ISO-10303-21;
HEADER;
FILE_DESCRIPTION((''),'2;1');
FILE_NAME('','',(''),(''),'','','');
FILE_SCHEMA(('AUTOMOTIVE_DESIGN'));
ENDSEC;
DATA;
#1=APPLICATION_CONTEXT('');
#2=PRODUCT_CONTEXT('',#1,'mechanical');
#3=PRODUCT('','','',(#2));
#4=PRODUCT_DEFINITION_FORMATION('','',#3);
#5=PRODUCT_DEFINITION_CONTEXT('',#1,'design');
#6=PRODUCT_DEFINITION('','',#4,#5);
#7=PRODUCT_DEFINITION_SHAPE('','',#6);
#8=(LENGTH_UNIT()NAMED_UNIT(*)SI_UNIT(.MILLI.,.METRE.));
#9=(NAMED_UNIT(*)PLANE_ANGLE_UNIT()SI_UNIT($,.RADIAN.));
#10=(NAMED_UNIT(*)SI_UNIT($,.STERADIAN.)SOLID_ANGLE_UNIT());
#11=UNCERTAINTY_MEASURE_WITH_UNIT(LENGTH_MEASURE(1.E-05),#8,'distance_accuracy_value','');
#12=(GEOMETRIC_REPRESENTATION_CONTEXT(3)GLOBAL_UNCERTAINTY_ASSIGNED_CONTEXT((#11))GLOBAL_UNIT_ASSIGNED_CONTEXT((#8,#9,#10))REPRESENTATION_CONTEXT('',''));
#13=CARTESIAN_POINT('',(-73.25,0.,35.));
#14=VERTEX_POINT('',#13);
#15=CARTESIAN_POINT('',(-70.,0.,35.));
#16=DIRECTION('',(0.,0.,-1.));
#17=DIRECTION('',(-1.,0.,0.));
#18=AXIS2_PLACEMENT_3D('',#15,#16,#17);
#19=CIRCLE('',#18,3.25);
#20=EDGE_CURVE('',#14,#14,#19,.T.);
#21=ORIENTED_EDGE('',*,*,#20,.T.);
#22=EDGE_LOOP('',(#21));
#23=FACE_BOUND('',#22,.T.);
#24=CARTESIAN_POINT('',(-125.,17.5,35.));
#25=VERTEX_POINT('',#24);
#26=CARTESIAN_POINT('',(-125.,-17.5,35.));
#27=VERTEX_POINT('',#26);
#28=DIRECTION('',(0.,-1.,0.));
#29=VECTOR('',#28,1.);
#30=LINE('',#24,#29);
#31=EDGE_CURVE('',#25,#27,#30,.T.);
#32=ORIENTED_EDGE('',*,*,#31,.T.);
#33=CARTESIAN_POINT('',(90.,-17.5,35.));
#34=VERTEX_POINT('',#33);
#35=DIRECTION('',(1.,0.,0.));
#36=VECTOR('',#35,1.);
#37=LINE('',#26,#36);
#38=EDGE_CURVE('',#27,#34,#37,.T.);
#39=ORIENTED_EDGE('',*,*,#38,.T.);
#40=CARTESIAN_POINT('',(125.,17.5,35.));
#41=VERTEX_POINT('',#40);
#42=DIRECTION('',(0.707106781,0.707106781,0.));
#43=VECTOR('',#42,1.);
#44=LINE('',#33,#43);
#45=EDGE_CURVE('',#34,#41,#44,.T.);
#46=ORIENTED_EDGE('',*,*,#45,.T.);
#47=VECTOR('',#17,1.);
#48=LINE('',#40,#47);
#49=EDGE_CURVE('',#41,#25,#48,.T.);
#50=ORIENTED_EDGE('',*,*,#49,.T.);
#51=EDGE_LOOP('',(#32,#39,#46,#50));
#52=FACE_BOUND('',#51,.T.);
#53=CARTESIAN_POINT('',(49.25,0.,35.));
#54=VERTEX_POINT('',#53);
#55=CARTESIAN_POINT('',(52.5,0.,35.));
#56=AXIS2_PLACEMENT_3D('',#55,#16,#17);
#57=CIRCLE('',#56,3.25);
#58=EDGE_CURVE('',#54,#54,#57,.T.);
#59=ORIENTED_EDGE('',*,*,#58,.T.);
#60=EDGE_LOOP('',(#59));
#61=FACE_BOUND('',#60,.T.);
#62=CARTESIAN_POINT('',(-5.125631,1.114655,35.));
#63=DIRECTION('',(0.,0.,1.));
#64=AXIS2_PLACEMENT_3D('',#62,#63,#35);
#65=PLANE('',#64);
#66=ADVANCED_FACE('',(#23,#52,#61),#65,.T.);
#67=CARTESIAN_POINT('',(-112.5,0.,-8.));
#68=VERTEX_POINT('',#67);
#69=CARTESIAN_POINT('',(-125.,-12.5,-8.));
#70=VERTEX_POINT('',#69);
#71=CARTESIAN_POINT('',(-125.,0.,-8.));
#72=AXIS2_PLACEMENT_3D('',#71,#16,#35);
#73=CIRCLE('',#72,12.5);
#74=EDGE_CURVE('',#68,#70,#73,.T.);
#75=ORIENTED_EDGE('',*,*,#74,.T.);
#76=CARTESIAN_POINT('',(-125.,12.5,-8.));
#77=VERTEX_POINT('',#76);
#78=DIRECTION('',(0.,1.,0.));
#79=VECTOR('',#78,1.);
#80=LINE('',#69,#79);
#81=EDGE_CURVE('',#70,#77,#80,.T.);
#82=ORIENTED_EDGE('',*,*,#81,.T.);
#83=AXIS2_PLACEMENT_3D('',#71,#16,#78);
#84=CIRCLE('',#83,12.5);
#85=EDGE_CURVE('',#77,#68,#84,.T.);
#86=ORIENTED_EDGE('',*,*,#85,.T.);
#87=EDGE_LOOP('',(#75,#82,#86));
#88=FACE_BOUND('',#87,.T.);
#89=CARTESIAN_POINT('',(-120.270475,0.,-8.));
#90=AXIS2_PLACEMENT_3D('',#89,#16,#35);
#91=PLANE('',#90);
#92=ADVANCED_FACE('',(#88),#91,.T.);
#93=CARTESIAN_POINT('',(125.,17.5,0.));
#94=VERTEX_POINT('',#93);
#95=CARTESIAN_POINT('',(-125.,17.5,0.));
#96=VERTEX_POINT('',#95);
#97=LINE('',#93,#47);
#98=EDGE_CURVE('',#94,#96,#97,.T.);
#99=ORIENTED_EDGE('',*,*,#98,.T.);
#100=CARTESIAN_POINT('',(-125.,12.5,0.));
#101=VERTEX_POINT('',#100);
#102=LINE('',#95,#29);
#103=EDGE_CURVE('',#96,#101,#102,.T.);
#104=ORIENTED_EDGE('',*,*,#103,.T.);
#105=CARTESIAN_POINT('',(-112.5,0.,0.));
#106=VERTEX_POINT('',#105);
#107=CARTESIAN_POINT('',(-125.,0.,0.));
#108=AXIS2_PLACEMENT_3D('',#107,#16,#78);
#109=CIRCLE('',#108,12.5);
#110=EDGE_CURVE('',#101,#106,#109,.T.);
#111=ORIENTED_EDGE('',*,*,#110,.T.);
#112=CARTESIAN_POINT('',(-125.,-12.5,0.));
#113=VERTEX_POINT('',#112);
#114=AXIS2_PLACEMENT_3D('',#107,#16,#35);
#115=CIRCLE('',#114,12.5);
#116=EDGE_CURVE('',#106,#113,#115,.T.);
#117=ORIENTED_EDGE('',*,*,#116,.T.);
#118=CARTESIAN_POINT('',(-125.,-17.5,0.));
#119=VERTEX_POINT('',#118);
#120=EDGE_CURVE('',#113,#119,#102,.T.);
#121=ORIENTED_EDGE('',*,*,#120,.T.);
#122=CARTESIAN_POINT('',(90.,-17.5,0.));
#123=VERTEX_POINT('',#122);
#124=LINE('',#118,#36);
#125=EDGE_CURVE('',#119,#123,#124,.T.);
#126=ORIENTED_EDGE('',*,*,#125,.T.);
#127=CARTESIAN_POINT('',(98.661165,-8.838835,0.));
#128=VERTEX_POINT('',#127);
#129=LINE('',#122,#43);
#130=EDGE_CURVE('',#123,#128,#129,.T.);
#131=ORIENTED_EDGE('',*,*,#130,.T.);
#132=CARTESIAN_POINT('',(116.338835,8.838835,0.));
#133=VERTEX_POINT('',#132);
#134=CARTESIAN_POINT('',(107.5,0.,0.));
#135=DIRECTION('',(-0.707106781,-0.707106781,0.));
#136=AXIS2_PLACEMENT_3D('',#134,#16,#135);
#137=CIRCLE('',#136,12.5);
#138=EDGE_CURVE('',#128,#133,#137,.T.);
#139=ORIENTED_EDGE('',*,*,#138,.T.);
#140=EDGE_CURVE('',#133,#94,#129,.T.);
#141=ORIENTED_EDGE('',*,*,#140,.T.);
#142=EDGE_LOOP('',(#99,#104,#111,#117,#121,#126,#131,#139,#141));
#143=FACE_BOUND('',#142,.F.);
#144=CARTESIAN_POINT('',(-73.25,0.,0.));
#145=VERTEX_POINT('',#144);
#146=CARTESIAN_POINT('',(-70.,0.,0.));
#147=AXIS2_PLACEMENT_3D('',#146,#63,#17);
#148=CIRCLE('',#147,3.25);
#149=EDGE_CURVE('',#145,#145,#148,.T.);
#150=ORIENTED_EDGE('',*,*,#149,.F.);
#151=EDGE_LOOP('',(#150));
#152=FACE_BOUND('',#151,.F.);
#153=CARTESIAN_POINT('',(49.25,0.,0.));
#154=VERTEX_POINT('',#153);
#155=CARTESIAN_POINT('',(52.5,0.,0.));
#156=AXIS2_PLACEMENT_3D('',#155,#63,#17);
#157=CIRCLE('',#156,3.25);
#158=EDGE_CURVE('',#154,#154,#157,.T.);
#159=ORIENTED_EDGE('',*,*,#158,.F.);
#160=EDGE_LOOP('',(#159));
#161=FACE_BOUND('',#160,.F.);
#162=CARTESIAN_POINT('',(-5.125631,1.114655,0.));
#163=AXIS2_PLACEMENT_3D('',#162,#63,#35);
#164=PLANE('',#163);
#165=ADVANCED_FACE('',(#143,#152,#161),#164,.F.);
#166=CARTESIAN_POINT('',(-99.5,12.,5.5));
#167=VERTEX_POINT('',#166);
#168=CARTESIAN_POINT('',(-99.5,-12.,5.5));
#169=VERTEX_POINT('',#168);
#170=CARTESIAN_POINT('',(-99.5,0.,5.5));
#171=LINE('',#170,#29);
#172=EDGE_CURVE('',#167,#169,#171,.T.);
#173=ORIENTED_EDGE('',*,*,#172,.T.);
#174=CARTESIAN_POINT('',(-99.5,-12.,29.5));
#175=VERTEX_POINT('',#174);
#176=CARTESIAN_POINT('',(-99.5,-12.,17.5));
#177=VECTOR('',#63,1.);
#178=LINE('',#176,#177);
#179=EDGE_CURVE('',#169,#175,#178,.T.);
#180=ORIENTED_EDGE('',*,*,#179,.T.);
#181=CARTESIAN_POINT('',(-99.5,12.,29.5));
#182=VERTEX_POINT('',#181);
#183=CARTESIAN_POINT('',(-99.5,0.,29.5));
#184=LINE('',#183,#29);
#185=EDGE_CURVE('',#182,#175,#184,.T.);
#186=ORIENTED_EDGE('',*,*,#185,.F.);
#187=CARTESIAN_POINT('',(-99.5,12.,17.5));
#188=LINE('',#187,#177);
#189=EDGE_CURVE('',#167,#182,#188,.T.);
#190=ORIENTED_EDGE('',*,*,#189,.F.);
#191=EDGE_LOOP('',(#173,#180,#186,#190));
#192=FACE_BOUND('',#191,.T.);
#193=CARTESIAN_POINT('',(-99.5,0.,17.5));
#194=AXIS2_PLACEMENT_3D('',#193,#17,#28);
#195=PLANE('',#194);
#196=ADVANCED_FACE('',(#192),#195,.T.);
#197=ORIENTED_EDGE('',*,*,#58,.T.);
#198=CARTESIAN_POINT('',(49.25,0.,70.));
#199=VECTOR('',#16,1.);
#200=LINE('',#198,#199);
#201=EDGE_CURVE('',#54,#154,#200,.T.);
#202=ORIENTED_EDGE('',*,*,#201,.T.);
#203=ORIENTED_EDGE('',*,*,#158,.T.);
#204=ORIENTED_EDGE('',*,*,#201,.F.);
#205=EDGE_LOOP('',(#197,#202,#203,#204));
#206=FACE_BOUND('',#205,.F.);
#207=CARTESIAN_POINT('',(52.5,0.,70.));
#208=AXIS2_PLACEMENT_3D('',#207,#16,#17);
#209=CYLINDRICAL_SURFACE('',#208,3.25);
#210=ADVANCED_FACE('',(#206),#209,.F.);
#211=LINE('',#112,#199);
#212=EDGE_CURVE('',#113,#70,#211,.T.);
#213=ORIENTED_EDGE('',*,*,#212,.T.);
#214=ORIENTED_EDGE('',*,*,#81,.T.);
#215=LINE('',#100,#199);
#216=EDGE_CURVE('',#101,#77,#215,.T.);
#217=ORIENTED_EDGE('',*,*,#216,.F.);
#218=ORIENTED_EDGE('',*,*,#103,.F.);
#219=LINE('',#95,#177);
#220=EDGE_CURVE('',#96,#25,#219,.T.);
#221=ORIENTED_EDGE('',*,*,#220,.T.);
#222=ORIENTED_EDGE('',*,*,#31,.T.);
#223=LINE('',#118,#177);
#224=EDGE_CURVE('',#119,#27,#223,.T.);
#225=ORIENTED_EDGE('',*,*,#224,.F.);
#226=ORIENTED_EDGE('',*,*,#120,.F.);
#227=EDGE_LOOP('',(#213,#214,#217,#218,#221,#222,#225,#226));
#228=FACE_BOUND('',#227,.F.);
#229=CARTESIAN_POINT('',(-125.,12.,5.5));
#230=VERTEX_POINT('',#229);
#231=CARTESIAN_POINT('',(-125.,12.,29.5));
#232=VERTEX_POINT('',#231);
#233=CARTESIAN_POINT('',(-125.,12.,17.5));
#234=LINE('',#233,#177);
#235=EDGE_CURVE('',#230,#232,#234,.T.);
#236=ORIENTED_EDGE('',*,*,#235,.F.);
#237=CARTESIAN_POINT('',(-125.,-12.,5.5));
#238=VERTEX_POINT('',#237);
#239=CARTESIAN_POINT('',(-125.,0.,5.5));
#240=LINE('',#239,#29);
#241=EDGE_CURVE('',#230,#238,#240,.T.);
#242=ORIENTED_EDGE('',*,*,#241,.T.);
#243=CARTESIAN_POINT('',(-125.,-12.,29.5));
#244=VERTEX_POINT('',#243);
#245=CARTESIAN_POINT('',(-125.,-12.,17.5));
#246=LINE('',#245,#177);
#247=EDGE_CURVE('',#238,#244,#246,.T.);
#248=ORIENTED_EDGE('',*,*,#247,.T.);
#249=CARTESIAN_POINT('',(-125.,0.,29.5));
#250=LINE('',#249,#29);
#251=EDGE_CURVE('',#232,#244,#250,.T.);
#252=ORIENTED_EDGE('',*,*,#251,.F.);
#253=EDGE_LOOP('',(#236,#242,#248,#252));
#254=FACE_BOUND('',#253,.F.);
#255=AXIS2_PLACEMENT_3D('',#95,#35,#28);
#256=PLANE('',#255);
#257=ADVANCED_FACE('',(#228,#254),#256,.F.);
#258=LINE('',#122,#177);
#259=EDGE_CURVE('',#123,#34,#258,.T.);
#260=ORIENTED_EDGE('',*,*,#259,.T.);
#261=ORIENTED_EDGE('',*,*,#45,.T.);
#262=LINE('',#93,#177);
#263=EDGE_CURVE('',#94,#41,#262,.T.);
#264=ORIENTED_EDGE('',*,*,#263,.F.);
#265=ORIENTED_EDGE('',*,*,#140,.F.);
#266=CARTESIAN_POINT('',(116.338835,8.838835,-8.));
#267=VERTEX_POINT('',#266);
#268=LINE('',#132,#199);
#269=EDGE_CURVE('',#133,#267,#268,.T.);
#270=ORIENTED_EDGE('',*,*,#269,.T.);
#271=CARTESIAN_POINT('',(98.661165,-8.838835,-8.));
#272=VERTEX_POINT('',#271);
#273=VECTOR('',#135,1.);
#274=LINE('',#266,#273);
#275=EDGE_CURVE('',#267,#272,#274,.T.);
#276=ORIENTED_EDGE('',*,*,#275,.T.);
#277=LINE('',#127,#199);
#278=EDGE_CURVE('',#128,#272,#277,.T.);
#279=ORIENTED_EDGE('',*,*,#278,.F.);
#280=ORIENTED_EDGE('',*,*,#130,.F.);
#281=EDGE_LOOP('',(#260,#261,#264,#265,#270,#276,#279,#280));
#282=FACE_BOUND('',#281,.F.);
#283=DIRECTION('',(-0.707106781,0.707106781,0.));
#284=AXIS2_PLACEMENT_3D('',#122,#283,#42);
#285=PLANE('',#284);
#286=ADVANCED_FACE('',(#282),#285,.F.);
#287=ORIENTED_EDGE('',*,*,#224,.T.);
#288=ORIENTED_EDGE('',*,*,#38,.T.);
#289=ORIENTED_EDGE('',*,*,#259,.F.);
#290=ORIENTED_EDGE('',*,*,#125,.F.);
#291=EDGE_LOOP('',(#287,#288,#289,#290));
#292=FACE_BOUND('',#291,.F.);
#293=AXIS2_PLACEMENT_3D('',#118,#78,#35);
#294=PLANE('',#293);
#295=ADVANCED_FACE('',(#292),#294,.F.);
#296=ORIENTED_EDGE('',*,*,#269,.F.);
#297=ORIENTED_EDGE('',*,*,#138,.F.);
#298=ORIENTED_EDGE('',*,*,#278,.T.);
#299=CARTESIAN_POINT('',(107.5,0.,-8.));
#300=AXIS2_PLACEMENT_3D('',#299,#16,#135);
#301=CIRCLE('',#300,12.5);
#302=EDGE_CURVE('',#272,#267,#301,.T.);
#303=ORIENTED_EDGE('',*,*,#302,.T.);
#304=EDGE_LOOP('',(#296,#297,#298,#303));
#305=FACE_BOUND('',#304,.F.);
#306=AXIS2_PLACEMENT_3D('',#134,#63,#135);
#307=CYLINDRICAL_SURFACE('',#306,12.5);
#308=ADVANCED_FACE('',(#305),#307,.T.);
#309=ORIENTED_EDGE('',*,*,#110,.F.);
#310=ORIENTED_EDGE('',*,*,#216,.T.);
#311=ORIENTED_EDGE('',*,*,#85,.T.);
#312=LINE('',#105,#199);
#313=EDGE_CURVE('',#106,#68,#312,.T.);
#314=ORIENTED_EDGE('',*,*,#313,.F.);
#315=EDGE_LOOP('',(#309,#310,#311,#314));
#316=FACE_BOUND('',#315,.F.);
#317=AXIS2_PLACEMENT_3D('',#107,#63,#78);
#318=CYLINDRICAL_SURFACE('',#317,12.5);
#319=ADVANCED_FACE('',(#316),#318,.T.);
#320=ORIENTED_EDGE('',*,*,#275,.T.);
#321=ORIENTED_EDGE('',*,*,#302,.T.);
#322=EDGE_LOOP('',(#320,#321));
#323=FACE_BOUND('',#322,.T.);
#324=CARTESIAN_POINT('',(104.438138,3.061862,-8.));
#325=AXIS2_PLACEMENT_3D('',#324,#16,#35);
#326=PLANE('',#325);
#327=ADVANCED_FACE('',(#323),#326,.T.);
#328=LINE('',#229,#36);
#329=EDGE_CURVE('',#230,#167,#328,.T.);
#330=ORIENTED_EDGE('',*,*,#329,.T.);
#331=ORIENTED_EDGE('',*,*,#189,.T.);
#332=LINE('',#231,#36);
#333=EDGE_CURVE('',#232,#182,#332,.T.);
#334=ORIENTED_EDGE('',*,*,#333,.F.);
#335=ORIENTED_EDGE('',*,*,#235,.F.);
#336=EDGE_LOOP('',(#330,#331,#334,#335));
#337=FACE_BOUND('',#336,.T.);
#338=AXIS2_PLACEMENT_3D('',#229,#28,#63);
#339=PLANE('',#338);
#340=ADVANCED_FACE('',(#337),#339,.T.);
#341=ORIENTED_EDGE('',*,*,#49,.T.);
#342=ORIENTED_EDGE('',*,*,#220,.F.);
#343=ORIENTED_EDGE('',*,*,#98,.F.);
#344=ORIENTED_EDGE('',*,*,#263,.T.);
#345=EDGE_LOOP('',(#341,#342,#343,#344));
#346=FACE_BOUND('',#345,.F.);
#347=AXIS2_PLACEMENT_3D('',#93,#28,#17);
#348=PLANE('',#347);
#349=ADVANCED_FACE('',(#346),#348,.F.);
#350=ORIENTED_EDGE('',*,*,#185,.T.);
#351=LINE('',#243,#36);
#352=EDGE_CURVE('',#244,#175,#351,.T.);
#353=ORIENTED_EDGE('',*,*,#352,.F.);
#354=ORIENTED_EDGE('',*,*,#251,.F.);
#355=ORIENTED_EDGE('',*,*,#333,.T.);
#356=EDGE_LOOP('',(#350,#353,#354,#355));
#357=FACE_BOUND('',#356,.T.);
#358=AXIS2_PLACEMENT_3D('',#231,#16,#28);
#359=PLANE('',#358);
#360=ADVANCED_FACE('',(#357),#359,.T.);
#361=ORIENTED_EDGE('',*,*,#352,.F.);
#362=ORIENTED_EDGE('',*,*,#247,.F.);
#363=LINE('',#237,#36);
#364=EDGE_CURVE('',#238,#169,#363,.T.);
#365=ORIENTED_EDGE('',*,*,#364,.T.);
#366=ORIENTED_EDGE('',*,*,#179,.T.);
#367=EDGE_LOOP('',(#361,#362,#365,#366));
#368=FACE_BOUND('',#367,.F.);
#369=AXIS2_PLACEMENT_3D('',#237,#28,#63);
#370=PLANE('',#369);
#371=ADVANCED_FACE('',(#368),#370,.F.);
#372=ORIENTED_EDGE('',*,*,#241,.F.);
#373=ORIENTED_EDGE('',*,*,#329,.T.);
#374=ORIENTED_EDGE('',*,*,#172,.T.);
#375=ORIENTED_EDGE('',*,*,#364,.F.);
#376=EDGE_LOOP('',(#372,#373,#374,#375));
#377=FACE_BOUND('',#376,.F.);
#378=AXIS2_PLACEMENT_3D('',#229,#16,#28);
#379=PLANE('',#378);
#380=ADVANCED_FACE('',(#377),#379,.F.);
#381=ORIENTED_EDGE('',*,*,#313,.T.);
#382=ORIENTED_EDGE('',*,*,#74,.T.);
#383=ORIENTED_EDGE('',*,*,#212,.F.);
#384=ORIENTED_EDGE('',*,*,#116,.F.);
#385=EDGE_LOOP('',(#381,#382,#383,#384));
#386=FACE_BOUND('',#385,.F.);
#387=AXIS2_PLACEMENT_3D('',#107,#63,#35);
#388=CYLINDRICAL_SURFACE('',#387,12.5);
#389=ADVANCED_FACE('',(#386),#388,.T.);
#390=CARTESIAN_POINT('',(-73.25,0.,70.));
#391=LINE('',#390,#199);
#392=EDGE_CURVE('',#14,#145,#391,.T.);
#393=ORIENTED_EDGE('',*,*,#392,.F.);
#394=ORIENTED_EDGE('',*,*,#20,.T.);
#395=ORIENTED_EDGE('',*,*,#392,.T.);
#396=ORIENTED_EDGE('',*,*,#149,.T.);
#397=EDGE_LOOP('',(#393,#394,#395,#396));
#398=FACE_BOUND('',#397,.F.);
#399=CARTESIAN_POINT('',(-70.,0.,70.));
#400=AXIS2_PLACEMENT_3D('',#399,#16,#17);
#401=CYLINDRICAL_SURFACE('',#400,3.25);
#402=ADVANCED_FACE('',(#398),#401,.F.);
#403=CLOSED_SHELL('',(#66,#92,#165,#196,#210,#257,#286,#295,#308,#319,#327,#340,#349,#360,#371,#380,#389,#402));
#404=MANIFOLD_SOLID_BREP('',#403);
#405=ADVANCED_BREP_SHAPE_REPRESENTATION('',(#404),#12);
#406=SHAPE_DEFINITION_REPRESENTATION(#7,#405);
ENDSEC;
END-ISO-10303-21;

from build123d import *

# Parameters (mm, degrees)
F1_DEPTH  = 35
F3_D      = 6.5
F3_DEPTH  = 35
F3_TIP    = 1.9527970118
F4_D      = 6.5
F4_DEPTH  = 35
F4_TIP    = 1.9527970118
F6_W      = 24
F6_H      = 24
F7_DEPTH  = 25.5
F9_DEPTH  = 8
F11_DEPTH = 8


with BuildPart() as f1:
    # F0 (on Top) → F1 (new body)
    with BuildSketch(Plane.XY):
        Polygon((90, -17.5), (125, 17.5), (-125, 17.5), (-125, -17.5), align=None)
    extrude(amount=F1_DEPTH)

    # F3
    with Locations(Plane.XY.offset(35)):
        with Locations((-70, 0)):
            Hole(F3_D / 2, depth=F3_DEPTH)
            with Locations((0, 0, -(F3_DEPTH + F3_TIP / 2))):  # 118° drill point
                Cone(0, F3_D / 2, F3_TIP, mode=Mode.SUBTRACT)

    # F4
    with Locations(Plane.XY.offset(35)):
        with Locations((52.5, 0)):
            Hole(F4_D / 2, depth=F4_DEPTH)
            with Locations((0, 0, -(F4_DEPTH + F4_TIP / 2))):  # 118° drill point
                Cone(0, F4_D / 2, F4_TIP, mode=Mode.SUBTRACT)

    # F6 (on face) → F7 (cut)
    with BuildSketch(Plane(origin=(-125, 0, 0), x_dir=(0, -1, 0), z_dir=(-1, 0, 0))):
        with Locations((0, 17.5)):
            Rectangle(F6_W, F6_H)
    extrude(amount=-F7_DEPTH, mode=Mode.SUBTRACT)

    # F8 (on face) → F9 (join)
    with BuildSketch(Plane(origin=(0, 0, 0), x_dir=(1, 0, 0), z_dir=(0, 0, -1))):
        with BuildLine():
            Line((116.3388347648, -8.8388347648), (98.6611652352, 8.8388347648))
            ThreePointArc((98.6611652352, 8.8388347648), (98.6611652352, -8.8388347648), (116.3388347648, -8.8388347648))
        make_face()
    extrude(amount=F9_DEPTH)

    # F10 (on face) → F11 (join)
    with BuildSketch(Plane(origin=(0, 0, 0), x_dir=(1, 0, 0), z_dir=(0, 0, -1))):
        with BuildLine():
            ThreePointArc((-125, -12.5), (-116.1611652352, -8.8388347648), (-112.5, 0))
            ThreePointArc((-112.5, 0), (-116.1611652352, 8.8388347648), (-125, 12.5))
            Line((-125, 12.5), (-125, -12.5))
        make_face()
    extrude(amount=F11_DEPTH)


solid = f1.part
